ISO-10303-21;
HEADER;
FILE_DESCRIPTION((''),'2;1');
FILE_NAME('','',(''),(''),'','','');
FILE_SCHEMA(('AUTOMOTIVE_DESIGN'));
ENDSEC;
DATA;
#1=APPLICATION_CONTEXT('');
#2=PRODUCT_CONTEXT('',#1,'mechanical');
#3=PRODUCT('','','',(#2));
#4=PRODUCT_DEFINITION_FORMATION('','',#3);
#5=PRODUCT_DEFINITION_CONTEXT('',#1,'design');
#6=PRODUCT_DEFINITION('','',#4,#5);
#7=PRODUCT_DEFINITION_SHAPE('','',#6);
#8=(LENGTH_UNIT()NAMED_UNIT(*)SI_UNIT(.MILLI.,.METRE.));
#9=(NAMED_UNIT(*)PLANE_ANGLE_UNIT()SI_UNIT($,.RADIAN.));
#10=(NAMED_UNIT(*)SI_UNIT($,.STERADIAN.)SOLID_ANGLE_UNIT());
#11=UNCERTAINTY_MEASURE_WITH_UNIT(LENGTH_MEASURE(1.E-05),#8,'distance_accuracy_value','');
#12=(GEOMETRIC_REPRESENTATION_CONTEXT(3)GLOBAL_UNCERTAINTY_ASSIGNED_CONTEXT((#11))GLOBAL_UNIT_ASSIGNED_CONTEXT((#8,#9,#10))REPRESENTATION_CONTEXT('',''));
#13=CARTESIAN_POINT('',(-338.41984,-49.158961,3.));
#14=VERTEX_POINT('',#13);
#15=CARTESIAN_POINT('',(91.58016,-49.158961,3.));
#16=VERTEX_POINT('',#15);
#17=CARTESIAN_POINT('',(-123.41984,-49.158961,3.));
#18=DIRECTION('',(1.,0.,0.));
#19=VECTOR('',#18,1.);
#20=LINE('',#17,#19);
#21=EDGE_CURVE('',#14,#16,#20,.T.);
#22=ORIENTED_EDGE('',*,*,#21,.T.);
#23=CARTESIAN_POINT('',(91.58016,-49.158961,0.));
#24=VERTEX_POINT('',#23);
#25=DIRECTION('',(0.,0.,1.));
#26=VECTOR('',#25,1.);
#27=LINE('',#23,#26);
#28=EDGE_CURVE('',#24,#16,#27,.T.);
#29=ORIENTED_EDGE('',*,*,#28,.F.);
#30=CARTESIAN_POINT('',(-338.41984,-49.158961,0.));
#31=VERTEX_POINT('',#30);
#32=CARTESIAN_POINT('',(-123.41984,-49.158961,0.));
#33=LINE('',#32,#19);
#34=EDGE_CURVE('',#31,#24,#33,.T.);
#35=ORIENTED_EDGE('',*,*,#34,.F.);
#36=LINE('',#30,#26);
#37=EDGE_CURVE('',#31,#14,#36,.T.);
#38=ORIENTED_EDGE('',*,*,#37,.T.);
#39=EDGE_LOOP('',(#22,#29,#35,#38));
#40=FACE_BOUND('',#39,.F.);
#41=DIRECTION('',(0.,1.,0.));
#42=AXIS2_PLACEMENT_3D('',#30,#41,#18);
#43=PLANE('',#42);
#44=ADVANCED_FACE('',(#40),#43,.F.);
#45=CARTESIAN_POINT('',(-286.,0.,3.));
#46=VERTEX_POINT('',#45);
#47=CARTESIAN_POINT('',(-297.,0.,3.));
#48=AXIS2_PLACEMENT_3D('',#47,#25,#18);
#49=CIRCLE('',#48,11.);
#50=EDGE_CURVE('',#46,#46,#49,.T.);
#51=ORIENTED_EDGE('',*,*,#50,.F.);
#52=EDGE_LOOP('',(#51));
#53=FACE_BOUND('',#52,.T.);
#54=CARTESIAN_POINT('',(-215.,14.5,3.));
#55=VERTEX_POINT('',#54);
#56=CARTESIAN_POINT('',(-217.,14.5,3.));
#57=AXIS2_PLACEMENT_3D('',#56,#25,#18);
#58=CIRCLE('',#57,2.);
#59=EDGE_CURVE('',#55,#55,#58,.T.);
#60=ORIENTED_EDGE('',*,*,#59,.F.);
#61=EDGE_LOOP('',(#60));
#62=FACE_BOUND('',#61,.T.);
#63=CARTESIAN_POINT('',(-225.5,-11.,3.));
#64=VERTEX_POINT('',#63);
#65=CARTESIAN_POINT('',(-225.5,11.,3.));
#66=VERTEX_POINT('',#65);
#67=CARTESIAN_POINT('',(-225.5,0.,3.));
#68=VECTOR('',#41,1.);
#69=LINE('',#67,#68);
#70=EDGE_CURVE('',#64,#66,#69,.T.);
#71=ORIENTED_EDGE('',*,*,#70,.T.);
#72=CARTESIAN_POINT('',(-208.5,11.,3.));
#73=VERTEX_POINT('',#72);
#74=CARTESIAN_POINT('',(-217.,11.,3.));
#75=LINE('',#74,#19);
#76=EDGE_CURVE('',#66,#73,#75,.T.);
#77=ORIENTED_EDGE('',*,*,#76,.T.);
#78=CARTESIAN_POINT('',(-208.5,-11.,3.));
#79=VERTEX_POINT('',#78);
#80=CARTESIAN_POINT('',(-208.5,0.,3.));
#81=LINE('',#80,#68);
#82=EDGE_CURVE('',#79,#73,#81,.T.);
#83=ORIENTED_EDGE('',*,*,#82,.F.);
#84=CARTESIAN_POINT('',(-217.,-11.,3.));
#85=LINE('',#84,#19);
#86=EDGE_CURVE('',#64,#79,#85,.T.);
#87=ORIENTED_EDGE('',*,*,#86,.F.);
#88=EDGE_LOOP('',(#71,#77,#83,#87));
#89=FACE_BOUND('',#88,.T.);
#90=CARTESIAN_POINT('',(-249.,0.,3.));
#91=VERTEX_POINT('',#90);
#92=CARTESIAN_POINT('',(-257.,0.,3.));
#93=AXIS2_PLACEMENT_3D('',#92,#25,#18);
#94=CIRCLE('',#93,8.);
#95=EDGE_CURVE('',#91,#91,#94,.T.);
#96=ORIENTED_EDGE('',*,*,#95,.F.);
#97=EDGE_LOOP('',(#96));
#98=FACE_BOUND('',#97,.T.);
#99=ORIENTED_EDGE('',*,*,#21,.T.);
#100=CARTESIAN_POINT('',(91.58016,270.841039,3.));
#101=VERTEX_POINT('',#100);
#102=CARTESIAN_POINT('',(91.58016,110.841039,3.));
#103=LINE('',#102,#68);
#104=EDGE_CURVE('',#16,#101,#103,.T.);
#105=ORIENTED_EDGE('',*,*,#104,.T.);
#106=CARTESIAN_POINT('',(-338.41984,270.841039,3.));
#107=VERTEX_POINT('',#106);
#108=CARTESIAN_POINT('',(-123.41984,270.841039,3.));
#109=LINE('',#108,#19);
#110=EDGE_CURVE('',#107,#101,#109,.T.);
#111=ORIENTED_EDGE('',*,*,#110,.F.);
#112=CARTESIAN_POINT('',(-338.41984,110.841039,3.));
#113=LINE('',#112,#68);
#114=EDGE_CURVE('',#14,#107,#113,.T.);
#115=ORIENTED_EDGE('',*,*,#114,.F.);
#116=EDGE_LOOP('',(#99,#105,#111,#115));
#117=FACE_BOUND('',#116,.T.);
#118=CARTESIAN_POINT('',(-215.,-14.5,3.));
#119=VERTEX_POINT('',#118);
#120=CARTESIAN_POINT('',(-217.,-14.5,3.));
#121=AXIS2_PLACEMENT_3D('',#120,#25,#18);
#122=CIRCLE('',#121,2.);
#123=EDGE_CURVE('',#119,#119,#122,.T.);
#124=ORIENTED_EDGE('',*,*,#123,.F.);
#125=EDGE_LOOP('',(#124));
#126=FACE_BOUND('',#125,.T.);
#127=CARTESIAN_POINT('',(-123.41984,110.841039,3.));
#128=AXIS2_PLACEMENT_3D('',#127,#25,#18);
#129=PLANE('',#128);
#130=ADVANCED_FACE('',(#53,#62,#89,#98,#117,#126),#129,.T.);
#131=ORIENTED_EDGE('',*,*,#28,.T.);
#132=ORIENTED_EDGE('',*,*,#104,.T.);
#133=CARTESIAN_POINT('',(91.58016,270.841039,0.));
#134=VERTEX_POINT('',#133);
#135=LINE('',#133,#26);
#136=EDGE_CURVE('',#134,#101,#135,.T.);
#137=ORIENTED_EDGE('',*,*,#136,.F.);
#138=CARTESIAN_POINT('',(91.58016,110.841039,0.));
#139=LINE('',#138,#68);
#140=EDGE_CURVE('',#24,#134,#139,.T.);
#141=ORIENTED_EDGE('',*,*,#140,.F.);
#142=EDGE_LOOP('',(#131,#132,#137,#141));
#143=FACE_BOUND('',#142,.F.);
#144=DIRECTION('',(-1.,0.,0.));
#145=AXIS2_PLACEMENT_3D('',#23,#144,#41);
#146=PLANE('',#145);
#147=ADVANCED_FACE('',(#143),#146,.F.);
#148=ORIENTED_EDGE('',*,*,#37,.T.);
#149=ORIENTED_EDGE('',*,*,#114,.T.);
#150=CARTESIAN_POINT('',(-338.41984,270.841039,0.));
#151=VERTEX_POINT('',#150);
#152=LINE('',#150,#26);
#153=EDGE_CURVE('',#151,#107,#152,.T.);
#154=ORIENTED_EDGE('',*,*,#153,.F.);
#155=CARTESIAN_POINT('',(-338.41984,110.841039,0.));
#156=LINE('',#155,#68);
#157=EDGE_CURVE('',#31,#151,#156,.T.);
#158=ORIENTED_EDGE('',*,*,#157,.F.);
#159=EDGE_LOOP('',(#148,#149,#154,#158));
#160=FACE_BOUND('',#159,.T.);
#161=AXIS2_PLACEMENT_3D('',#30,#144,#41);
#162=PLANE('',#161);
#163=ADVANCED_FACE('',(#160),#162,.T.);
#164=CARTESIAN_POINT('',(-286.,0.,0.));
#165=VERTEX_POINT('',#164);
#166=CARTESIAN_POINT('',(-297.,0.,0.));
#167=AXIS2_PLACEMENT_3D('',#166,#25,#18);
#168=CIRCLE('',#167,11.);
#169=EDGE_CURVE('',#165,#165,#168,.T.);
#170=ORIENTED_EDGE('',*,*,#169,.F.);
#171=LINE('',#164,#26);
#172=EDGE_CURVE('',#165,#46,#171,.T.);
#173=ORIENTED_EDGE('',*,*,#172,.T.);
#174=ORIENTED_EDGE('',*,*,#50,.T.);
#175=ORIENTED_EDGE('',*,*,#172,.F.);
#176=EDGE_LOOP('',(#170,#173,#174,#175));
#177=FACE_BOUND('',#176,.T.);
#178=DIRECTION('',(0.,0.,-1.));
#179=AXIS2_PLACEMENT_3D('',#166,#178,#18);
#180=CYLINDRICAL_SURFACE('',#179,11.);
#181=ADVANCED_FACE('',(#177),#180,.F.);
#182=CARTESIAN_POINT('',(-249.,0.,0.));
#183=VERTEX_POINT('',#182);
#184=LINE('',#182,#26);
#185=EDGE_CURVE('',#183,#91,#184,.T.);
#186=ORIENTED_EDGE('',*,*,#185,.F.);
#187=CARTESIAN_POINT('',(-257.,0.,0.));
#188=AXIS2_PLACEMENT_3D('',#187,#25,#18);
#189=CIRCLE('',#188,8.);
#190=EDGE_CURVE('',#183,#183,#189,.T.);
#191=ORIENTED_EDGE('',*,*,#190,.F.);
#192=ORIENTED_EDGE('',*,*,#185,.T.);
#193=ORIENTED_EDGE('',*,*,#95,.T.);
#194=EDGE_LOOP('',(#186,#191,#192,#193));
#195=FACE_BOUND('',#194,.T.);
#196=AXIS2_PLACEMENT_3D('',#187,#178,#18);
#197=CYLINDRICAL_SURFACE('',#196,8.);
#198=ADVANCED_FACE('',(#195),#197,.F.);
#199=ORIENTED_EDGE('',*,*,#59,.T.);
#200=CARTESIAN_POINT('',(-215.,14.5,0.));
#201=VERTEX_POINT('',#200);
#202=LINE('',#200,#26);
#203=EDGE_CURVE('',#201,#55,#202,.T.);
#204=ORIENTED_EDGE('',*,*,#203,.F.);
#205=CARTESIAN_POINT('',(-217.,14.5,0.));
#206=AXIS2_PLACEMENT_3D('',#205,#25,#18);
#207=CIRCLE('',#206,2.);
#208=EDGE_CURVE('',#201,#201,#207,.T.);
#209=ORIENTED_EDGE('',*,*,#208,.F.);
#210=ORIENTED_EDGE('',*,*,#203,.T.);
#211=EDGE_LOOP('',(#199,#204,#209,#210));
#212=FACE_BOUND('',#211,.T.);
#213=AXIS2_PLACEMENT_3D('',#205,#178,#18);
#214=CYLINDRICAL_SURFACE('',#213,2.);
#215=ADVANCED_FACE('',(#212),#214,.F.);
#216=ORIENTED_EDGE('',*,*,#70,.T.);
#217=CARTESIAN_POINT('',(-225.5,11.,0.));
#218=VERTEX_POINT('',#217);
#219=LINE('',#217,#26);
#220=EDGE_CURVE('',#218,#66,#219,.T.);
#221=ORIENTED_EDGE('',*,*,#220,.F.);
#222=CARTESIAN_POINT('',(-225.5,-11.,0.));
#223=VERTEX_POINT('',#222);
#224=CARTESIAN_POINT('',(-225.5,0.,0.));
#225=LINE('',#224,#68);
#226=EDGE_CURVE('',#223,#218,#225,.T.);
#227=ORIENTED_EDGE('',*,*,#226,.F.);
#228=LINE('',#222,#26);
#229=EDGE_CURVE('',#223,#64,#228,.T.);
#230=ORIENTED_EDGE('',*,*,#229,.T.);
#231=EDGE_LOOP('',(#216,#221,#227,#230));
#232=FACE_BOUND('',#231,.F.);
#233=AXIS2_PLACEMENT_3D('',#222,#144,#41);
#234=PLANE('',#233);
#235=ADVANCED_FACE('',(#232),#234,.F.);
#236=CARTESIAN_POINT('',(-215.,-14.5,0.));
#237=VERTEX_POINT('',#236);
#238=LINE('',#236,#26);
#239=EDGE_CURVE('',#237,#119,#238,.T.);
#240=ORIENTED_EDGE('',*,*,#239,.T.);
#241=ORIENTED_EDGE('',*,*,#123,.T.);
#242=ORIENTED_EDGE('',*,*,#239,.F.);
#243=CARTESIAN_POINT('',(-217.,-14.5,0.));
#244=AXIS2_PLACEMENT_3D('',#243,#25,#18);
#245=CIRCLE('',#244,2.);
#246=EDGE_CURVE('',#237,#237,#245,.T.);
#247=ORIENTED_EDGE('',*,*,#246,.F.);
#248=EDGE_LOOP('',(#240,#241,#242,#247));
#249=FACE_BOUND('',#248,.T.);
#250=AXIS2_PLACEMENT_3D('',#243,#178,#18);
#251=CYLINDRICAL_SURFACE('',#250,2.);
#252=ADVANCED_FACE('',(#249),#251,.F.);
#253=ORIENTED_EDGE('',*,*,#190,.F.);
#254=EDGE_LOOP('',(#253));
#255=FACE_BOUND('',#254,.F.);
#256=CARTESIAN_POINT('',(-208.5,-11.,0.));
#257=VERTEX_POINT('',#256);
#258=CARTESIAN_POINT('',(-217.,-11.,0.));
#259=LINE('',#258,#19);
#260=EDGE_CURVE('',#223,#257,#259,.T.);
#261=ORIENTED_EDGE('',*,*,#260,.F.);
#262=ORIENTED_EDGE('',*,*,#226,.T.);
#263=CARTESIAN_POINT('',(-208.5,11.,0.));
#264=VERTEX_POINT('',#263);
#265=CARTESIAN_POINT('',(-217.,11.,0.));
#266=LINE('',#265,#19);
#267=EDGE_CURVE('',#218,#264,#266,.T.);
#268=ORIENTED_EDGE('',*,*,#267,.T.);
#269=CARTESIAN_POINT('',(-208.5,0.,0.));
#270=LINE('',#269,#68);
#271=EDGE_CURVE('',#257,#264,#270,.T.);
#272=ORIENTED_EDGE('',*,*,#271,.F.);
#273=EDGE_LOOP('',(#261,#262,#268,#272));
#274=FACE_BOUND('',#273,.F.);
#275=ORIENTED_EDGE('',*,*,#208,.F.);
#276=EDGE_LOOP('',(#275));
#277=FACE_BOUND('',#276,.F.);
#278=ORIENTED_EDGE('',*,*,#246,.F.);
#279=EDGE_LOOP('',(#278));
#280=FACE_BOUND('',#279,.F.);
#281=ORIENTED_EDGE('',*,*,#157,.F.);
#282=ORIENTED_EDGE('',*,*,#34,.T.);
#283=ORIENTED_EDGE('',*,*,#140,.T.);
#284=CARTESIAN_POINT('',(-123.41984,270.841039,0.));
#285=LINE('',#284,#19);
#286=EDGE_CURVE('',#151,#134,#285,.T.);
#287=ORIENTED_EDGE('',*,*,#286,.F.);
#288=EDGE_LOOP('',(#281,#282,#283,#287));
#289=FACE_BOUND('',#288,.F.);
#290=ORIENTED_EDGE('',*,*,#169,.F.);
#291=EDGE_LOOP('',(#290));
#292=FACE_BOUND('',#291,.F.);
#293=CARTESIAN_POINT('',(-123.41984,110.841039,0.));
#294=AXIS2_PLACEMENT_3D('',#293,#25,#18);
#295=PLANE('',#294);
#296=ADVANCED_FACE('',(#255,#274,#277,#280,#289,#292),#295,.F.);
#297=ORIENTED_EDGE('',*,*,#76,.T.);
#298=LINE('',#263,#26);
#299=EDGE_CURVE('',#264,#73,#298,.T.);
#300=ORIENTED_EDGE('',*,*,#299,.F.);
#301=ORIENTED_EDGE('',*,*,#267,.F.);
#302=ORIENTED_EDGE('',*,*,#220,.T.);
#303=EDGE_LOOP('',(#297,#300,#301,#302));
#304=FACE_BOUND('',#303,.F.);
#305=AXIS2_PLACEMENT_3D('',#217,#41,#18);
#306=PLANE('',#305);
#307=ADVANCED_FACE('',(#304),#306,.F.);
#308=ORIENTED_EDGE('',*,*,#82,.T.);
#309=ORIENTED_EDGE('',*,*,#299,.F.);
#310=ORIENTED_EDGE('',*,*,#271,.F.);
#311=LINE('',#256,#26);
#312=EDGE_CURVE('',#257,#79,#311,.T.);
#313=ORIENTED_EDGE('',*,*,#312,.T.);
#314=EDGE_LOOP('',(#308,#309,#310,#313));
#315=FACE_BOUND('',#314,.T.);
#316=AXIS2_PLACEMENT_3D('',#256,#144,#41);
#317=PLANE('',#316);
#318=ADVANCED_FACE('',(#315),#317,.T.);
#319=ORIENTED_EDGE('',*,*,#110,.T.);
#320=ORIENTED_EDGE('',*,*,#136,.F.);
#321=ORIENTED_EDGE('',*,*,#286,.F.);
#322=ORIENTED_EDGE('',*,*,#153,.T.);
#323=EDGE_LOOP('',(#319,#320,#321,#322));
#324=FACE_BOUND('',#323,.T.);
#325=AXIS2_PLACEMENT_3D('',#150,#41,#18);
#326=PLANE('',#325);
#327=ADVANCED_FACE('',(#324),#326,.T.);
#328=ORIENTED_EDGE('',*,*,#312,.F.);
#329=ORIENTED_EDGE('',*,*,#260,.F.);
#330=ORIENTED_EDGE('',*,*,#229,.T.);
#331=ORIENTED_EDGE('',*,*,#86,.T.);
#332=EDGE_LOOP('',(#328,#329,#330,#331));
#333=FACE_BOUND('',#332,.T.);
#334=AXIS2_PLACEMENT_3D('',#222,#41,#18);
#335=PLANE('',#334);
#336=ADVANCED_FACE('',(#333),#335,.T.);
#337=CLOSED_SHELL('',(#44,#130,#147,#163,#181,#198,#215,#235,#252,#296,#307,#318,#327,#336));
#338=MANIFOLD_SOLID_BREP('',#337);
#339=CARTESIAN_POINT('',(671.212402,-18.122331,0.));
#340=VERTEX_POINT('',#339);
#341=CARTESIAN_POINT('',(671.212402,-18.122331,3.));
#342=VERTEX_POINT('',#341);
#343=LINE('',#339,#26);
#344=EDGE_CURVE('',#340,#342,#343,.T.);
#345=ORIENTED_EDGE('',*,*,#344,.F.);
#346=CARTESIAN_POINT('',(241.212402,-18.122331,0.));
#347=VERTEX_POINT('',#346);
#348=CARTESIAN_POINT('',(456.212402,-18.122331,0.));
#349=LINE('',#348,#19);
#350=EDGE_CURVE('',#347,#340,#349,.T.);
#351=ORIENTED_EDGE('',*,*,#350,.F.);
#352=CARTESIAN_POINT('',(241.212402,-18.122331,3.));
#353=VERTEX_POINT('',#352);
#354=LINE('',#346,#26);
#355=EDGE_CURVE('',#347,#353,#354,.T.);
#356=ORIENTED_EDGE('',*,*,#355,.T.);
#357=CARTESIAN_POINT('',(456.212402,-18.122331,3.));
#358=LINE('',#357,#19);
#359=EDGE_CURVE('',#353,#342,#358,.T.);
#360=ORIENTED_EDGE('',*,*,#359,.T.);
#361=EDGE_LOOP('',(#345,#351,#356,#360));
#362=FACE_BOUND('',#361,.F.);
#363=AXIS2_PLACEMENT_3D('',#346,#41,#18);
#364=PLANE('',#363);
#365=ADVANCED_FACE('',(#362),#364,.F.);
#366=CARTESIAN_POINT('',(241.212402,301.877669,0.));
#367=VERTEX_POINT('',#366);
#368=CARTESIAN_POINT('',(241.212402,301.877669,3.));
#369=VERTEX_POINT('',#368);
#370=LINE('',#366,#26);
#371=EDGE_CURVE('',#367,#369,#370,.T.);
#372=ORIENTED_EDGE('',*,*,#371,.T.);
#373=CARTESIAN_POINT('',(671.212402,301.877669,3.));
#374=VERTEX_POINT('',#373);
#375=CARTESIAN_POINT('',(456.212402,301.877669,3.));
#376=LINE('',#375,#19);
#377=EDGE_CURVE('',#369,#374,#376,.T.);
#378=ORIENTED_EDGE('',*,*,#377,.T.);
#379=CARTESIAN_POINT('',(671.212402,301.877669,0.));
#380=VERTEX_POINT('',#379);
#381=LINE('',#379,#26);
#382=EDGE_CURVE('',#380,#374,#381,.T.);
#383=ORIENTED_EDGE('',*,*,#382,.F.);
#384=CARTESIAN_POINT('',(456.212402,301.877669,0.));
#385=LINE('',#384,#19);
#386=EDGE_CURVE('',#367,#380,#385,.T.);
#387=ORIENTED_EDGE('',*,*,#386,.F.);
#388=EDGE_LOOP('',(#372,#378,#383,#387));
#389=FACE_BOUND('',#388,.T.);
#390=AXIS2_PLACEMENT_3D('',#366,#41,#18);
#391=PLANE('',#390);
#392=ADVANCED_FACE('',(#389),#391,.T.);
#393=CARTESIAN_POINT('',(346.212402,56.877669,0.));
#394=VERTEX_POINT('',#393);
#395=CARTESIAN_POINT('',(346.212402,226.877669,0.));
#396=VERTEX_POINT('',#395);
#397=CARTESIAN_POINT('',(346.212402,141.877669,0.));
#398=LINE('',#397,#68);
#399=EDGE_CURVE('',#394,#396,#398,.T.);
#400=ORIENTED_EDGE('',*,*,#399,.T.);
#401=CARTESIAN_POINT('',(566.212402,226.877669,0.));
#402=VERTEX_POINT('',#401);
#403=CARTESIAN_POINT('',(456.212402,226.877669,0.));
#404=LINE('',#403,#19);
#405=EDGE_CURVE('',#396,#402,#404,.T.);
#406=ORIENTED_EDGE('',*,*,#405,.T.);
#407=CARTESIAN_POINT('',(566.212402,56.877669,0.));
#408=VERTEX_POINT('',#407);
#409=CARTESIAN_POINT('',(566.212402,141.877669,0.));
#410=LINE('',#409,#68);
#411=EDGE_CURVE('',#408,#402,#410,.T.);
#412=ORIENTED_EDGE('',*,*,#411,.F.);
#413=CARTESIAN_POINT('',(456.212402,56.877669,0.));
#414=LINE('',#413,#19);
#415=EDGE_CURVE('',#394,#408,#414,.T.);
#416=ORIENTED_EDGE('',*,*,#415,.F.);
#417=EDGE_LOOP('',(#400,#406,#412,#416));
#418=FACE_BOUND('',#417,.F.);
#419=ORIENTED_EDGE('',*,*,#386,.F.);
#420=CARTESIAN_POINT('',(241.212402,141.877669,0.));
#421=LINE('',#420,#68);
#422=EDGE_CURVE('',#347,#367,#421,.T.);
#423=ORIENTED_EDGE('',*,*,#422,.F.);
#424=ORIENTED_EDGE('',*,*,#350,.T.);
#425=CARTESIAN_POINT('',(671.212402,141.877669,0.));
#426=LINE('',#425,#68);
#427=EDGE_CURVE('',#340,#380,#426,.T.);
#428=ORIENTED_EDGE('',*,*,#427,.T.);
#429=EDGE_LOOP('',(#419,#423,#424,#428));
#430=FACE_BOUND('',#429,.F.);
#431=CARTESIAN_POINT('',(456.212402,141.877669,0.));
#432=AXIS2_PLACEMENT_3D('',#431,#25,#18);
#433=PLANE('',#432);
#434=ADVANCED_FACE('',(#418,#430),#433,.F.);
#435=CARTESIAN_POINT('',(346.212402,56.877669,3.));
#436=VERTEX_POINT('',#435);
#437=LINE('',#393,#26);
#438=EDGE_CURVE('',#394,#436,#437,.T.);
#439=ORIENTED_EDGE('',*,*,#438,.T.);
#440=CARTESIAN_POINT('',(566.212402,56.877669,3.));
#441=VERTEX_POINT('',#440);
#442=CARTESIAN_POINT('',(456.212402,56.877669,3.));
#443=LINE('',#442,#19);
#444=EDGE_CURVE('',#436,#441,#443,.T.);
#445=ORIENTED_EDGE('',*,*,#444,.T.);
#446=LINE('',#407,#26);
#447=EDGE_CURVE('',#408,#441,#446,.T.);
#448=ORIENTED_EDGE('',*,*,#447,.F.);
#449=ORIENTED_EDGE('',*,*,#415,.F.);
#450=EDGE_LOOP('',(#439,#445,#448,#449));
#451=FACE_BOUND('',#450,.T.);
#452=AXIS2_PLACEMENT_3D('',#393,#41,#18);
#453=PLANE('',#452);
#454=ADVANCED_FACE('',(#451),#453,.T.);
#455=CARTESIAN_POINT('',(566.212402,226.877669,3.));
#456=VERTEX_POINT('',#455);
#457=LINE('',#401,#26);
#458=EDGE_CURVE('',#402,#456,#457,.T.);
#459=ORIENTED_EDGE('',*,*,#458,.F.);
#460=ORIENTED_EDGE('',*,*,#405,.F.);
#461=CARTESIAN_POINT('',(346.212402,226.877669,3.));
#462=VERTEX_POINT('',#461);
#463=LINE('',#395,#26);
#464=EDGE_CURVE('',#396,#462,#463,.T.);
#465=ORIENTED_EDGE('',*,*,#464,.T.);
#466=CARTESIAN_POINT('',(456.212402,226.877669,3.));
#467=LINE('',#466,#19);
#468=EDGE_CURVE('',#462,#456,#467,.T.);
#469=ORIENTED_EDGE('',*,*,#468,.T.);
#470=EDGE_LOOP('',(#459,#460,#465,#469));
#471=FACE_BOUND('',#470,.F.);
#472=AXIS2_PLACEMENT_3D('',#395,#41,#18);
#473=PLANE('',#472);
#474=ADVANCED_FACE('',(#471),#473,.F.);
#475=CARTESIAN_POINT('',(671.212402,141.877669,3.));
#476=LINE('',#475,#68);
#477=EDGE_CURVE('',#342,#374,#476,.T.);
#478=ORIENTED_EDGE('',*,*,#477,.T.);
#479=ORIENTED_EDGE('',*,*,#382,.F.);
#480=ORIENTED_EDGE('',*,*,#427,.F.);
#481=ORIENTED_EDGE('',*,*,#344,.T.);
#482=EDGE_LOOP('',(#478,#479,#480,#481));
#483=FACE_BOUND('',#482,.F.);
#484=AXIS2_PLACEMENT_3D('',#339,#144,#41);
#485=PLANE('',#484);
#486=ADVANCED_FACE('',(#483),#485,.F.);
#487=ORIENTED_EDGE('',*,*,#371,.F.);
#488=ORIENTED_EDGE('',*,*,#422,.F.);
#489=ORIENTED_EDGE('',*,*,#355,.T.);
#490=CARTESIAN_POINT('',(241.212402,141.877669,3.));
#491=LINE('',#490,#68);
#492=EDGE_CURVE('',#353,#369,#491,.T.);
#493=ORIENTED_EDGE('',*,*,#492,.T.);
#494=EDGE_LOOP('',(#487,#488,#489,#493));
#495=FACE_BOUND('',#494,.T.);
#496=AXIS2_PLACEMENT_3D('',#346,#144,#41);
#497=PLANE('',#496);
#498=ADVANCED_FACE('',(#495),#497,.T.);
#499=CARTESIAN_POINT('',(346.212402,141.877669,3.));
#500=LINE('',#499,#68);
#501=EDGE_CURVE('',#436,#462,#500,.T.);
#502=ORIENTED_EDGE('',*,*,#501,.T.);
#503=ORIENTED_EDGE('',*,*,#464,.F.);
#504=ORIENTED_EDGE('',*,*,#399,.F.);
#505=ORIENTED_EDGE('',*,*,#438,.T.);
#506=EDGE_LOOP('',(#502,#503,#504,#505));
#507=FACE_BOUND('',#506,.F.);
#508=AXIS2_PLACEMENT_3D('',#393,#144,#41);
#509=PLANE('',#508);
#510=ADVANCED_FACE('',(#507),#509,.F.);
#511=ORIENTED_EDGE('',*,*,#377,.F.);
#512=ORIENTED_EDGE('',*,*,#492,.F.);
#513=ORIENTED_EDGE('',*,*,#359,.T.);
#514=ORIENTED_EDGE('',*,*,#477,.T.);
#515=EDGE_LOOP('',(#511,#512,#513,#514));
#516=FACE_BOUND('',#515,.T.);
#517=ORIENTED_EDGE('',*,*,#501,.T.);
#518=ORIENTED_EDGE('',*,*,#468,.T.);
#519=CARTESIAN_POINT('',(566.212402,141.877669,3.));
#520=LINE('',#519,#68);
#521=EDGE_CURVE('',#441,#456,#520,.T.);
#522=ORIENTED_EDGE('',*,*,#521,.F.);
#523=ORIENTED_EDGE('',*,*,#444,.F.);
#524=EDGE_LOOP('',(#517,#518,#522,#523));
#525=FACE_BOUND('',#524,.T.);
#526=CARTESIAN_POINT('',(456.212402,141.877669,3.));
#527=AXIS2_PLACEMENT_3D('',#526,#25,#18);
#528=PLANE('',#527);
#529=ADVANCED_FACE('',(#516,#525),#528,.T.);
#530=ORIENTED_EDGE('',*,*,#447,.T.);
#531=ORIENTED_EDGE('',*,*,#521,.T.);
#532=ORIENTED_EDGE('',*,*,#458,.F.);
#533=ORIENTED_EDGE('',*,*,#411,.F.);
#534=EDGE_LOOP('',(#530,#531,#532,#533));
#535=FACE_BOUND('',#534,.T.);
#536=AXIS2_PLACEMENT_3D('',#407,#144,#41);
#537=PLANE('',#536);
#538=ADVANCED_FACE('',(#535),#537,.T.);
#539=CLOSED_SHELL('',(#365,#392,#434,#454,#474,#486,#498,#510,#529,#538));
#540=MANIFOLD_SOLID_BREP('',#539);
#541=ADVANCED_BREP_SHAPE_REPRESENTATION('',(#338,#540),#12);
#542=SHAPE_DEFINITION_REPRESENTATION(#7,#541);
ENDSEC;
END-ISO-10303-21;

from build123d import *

# Parameters (mm, degrees)
F0_W     = 430
F0_H     = 320
F0_R     = 2
F0_R_2   = 11
F0_R_3   = 8
F0_W_2   = 17
F0_H_2   = 22
F1_DEPTH = 3
F0_W_3   = 220
F0_H_3   = 170
F2_DEPTH = 3


with BuildPart() as f1:
    # F0 (on Top) → F1 (new body)
    with BuildSketch(Plane.XY):
        with Locations((-123.41984, 110.841039)):
            Rectangle(F0_W, F0_H)
        with Locations((-217, -14.5)):
            Circle(F0_R, mode=Mode.SUBTRACT)
        with Locations((-297, 0)):
            Circle(F0_R_2, mode=Mode.SUBTRACT)
        with Locations((-257, 0)):
            Circle(F0_R_3, mode=Mode.SUBTRACT)
        with Locations((-217, 0)):
            Rectangle(F0_W_2, F0_H_2, mode=Mode.SUBTRACT)
        with Locations((-217, 14.5)):
            Circle(F0_R, mode=Mode.SUBTRACT)
    extrude(amount=F1_DEPTH)


with BuildPart() as f2:
    # F0 (on Top) → F2 (new body)
    with BuildSketch(Plane.XY):
        with Locations((456.212402, 141.877669)):
            Rectangle(F0_W, F0_H)
        with Locations((456.212402, 141.877669)):
            Rectangle(F0_W_3, F0_H_3, mode=Mode.SUBTRACT)
    extrude(amount=F2_DEPTH)


solid = Compound([f1.part, f2.part])
